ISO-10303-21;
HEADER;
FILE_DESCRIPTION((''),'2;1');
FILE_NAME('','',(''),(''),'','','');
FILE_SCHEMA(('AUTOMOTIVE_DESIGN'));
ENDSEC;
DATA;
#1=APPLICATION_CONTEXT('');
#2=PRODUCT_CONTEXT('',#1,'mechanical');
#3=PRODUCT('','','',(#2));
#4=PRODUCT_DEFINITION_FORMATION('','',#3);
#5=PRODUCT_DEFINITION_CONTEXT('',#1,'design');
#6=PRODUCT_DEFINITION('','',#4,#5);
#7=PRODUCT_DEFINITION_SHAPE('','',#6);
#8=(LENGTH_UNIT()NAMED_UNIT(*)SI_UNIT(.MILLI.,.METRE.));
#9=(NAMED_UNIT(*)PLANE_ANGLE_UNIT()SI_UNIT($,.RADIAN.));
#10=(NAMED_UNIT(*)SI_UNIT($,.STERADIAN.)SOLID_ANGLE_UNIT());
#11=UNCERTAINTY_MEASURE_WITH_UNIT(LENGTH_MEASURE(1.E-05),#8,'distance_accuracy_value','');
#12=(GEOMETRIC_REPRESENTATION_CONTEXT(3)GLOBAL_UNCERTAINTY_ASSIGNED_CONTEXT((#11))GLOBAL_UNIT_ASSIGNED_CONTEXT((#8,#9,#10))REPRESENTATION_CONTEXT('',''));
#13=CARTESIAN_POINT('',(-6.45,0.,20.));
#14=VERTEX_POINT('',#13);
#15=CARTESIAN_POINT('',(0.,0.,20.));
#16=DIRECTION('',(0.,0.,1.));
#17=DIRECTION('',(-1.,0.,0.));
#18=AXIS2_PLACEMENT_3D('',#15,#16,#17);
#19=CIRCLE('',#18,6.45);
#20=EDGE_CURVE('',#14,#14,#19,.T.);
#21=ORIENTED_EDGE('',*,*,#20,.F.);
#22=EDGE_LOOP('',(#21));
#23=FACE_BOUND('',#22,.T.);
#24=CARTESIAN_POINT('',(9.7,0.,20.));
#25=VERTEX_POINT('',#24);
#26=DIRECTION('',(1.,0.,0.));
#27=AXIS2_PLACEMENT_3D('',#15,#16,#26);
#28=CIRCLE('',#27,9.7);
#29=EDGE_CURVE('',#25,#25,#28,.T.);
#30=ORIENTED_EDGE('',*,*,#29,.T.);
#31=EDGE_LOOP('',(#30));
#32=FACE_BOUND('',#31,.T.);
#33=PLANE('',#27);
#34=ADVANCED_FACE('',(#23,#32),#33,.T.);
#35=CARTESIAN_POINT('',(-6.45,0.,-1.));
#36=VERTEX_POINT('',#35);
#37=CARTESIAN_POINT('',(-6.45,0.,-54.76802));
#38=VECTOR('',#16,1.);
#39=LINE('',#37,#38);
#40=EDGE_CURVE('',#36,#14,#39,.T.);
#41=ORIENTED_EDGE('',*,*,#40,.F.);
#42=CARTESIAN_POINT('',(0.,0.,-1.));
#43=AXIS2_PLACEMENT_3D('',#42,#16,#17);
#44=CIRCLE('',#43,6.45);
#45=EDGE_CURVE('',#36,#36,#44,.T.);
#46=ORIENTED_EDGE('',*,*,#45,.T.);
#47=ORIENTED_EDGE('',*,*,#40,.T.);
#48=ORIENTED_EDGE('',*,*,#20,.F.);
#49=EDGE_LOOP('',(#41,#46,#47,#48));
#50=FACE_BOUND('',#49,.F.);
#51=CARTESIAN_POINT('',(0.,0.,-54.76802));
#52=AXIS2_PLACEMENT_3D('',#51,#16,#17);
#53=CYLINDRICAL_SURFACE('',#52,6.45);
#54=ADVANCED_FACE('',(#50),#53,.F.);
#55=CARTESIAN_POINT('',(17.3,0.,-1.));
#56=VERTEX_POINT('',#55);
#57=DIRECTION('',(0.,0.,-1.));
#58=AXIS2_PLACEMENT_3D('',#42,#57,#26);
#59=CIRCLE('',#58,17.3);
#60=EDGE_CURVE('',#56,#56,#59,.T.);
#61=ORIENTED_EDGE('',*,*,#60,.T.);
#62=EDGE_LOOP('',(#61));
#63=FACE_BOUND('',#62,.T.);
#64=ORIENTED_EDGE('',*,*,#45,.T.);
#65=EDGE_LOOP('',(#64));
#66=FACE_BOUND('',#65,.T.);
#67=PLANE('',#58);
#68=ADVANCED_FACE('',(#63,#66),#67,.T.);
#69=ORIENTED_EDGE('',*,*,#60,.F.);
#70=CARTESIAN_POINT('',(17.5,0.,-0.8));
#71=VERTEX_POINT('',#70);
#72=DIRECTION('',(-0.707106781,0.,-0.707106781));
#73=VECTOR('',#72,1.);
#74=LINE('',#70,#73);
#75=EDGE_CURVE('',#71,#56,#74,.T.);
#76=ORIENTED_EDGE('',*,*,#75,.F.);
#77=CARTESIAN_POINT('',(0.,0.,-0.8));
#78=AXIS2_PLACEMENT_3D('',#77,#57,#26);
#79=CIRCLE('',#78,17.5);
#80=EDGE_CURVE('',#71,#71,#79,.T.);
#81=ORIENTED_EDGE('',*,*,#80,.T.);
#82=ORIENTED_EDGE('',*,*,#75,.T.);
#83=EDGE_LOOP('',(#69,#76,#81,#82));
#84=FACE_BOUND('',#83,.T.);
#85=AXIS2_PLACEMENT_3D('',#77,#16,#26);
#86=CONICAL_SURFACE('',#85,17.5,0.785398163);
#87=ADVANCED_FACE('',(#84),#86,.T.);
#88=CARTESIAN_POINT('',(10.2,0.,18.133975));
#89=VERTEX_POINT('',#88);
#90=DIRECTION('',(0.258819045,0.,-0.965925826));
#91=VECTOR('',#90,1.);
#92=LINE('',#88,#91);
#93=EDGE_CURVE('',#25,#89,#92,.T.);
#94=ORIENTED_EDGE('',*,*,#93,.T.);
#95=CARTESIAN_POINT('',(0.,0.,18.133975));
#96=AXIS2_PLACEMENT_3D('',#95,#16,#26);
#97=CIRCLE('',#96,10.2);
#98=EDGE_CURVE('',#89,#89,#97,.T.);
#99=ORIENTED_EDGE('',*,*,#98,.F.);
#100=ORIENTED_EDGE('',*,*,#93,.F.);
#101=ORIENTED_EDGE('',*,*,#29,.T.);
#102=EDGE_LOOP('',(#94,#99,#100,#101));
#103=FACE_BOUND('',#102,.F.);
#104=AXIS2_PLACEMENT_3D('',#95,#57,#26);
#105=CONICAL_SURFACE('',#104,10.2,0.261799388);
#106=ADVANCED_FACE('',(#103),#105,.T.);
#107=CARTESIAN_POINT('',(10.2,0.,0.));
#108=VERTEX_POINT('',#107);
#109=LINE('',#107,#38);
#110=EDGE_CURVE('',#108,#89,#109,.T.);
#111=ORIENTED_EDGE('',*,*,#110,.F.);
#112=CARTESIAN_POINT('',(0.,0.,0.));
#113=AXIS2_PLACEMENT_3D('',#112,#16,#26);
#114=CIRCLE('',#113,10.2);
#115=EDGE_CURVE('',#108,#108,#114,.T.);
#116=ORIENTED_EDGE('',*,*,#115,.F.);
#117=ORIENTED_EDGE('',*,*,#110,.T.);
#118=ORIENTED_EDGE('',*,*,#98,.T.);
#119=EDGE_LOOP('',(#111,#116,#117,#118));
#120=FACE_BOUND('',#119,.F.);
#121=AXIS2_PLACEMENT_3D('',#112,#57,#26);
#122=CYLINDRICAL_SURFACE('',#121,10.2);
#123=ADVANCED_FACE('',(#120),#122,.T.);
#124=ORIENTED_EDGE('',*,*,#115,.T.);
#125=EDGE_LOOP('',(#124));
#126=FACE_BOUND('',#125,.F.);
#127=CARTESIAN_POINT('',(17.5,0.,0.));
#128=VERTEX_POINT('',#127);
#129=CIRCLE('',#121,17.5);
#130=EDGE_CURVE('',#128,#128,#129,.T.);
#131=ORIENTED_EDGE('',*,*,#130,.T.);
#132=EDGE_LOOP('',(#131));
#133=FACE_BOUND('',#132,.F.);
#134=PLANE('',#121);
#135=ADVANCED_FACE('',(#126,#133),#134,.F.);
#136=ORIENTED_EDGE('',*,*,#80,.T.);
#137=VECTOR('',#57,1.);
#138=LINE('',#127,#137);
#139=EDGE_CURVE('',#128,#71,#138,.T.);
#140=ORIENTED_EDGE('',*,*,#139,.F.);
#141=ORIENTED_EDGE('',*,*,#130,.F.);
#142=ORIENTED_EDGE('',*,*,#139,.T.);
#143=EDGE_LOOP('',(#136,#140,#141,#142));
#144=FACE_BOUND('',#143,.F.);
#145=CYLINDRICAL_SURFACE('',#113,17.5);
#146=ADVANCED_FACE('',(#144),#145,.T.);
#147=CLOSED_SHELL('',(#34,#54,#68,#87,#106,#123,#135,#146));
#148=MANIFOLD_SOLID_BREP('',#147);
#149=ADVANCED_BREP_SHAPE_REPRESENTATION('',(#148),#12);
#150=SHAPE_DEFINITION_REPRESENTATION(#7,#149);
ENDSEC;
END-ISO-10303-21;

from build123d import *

# Parameters (mm, degrees)
F1_R     = 10.2
F2_DEPTH = 20
F3_R     = 17.5
F4_DEPTH = 1
F6_D     = 12.9
F7_SIZE2 = 0.2
F7_SIZE  = 0.2
F8_SIZE2 = 1.8660254038
F8_SIZE  = 0.5


with BuildPart() as f2:
    # F1 (on Top) → F2 (new body)
    with BuildSketch(Plane.XY):
        Circle(F1_R)
    extrude(amount=F2_DEPTH)

    # F3 (on face) → F4 (join)
    with BuildSketch(Plane(origin=(0, 0, 0), x_dir=(1, 0, 0), z_dir=(0, 0, -1))):
        Circle(F3_R)
    extrude(amount=F4_DEPTH)

    # F6 (through all)
    with Locations(Plane(origin=(0, 0, -1), x_dir=(1, 0, 0), z_dir=(0, 0, -1))):
        with Locations((0, 0)):
            Hole(F6_D / 2)

    # F7
    f7_edges = [f2.edges().sort_by_distance(p)[0] for p in [
        (-17.5, 0, -1),
    ]]
    chamfer(f7_edges, length=F7_SIZE, length2=F7_SIZE2)

    # F8
    f8_edges = [f2.edges().sort_by_distance(p)[0] for p in [
        (-10.2, 0, 20),
    ]]
    f8_side = f2.faces().sort_by_distance((-9.9115, 0, 20))[0]
    chamfer(f8_edges, length=F8_SIZE, length2=F8_SIZE2, reference=f8_side)


solid = f2.part
